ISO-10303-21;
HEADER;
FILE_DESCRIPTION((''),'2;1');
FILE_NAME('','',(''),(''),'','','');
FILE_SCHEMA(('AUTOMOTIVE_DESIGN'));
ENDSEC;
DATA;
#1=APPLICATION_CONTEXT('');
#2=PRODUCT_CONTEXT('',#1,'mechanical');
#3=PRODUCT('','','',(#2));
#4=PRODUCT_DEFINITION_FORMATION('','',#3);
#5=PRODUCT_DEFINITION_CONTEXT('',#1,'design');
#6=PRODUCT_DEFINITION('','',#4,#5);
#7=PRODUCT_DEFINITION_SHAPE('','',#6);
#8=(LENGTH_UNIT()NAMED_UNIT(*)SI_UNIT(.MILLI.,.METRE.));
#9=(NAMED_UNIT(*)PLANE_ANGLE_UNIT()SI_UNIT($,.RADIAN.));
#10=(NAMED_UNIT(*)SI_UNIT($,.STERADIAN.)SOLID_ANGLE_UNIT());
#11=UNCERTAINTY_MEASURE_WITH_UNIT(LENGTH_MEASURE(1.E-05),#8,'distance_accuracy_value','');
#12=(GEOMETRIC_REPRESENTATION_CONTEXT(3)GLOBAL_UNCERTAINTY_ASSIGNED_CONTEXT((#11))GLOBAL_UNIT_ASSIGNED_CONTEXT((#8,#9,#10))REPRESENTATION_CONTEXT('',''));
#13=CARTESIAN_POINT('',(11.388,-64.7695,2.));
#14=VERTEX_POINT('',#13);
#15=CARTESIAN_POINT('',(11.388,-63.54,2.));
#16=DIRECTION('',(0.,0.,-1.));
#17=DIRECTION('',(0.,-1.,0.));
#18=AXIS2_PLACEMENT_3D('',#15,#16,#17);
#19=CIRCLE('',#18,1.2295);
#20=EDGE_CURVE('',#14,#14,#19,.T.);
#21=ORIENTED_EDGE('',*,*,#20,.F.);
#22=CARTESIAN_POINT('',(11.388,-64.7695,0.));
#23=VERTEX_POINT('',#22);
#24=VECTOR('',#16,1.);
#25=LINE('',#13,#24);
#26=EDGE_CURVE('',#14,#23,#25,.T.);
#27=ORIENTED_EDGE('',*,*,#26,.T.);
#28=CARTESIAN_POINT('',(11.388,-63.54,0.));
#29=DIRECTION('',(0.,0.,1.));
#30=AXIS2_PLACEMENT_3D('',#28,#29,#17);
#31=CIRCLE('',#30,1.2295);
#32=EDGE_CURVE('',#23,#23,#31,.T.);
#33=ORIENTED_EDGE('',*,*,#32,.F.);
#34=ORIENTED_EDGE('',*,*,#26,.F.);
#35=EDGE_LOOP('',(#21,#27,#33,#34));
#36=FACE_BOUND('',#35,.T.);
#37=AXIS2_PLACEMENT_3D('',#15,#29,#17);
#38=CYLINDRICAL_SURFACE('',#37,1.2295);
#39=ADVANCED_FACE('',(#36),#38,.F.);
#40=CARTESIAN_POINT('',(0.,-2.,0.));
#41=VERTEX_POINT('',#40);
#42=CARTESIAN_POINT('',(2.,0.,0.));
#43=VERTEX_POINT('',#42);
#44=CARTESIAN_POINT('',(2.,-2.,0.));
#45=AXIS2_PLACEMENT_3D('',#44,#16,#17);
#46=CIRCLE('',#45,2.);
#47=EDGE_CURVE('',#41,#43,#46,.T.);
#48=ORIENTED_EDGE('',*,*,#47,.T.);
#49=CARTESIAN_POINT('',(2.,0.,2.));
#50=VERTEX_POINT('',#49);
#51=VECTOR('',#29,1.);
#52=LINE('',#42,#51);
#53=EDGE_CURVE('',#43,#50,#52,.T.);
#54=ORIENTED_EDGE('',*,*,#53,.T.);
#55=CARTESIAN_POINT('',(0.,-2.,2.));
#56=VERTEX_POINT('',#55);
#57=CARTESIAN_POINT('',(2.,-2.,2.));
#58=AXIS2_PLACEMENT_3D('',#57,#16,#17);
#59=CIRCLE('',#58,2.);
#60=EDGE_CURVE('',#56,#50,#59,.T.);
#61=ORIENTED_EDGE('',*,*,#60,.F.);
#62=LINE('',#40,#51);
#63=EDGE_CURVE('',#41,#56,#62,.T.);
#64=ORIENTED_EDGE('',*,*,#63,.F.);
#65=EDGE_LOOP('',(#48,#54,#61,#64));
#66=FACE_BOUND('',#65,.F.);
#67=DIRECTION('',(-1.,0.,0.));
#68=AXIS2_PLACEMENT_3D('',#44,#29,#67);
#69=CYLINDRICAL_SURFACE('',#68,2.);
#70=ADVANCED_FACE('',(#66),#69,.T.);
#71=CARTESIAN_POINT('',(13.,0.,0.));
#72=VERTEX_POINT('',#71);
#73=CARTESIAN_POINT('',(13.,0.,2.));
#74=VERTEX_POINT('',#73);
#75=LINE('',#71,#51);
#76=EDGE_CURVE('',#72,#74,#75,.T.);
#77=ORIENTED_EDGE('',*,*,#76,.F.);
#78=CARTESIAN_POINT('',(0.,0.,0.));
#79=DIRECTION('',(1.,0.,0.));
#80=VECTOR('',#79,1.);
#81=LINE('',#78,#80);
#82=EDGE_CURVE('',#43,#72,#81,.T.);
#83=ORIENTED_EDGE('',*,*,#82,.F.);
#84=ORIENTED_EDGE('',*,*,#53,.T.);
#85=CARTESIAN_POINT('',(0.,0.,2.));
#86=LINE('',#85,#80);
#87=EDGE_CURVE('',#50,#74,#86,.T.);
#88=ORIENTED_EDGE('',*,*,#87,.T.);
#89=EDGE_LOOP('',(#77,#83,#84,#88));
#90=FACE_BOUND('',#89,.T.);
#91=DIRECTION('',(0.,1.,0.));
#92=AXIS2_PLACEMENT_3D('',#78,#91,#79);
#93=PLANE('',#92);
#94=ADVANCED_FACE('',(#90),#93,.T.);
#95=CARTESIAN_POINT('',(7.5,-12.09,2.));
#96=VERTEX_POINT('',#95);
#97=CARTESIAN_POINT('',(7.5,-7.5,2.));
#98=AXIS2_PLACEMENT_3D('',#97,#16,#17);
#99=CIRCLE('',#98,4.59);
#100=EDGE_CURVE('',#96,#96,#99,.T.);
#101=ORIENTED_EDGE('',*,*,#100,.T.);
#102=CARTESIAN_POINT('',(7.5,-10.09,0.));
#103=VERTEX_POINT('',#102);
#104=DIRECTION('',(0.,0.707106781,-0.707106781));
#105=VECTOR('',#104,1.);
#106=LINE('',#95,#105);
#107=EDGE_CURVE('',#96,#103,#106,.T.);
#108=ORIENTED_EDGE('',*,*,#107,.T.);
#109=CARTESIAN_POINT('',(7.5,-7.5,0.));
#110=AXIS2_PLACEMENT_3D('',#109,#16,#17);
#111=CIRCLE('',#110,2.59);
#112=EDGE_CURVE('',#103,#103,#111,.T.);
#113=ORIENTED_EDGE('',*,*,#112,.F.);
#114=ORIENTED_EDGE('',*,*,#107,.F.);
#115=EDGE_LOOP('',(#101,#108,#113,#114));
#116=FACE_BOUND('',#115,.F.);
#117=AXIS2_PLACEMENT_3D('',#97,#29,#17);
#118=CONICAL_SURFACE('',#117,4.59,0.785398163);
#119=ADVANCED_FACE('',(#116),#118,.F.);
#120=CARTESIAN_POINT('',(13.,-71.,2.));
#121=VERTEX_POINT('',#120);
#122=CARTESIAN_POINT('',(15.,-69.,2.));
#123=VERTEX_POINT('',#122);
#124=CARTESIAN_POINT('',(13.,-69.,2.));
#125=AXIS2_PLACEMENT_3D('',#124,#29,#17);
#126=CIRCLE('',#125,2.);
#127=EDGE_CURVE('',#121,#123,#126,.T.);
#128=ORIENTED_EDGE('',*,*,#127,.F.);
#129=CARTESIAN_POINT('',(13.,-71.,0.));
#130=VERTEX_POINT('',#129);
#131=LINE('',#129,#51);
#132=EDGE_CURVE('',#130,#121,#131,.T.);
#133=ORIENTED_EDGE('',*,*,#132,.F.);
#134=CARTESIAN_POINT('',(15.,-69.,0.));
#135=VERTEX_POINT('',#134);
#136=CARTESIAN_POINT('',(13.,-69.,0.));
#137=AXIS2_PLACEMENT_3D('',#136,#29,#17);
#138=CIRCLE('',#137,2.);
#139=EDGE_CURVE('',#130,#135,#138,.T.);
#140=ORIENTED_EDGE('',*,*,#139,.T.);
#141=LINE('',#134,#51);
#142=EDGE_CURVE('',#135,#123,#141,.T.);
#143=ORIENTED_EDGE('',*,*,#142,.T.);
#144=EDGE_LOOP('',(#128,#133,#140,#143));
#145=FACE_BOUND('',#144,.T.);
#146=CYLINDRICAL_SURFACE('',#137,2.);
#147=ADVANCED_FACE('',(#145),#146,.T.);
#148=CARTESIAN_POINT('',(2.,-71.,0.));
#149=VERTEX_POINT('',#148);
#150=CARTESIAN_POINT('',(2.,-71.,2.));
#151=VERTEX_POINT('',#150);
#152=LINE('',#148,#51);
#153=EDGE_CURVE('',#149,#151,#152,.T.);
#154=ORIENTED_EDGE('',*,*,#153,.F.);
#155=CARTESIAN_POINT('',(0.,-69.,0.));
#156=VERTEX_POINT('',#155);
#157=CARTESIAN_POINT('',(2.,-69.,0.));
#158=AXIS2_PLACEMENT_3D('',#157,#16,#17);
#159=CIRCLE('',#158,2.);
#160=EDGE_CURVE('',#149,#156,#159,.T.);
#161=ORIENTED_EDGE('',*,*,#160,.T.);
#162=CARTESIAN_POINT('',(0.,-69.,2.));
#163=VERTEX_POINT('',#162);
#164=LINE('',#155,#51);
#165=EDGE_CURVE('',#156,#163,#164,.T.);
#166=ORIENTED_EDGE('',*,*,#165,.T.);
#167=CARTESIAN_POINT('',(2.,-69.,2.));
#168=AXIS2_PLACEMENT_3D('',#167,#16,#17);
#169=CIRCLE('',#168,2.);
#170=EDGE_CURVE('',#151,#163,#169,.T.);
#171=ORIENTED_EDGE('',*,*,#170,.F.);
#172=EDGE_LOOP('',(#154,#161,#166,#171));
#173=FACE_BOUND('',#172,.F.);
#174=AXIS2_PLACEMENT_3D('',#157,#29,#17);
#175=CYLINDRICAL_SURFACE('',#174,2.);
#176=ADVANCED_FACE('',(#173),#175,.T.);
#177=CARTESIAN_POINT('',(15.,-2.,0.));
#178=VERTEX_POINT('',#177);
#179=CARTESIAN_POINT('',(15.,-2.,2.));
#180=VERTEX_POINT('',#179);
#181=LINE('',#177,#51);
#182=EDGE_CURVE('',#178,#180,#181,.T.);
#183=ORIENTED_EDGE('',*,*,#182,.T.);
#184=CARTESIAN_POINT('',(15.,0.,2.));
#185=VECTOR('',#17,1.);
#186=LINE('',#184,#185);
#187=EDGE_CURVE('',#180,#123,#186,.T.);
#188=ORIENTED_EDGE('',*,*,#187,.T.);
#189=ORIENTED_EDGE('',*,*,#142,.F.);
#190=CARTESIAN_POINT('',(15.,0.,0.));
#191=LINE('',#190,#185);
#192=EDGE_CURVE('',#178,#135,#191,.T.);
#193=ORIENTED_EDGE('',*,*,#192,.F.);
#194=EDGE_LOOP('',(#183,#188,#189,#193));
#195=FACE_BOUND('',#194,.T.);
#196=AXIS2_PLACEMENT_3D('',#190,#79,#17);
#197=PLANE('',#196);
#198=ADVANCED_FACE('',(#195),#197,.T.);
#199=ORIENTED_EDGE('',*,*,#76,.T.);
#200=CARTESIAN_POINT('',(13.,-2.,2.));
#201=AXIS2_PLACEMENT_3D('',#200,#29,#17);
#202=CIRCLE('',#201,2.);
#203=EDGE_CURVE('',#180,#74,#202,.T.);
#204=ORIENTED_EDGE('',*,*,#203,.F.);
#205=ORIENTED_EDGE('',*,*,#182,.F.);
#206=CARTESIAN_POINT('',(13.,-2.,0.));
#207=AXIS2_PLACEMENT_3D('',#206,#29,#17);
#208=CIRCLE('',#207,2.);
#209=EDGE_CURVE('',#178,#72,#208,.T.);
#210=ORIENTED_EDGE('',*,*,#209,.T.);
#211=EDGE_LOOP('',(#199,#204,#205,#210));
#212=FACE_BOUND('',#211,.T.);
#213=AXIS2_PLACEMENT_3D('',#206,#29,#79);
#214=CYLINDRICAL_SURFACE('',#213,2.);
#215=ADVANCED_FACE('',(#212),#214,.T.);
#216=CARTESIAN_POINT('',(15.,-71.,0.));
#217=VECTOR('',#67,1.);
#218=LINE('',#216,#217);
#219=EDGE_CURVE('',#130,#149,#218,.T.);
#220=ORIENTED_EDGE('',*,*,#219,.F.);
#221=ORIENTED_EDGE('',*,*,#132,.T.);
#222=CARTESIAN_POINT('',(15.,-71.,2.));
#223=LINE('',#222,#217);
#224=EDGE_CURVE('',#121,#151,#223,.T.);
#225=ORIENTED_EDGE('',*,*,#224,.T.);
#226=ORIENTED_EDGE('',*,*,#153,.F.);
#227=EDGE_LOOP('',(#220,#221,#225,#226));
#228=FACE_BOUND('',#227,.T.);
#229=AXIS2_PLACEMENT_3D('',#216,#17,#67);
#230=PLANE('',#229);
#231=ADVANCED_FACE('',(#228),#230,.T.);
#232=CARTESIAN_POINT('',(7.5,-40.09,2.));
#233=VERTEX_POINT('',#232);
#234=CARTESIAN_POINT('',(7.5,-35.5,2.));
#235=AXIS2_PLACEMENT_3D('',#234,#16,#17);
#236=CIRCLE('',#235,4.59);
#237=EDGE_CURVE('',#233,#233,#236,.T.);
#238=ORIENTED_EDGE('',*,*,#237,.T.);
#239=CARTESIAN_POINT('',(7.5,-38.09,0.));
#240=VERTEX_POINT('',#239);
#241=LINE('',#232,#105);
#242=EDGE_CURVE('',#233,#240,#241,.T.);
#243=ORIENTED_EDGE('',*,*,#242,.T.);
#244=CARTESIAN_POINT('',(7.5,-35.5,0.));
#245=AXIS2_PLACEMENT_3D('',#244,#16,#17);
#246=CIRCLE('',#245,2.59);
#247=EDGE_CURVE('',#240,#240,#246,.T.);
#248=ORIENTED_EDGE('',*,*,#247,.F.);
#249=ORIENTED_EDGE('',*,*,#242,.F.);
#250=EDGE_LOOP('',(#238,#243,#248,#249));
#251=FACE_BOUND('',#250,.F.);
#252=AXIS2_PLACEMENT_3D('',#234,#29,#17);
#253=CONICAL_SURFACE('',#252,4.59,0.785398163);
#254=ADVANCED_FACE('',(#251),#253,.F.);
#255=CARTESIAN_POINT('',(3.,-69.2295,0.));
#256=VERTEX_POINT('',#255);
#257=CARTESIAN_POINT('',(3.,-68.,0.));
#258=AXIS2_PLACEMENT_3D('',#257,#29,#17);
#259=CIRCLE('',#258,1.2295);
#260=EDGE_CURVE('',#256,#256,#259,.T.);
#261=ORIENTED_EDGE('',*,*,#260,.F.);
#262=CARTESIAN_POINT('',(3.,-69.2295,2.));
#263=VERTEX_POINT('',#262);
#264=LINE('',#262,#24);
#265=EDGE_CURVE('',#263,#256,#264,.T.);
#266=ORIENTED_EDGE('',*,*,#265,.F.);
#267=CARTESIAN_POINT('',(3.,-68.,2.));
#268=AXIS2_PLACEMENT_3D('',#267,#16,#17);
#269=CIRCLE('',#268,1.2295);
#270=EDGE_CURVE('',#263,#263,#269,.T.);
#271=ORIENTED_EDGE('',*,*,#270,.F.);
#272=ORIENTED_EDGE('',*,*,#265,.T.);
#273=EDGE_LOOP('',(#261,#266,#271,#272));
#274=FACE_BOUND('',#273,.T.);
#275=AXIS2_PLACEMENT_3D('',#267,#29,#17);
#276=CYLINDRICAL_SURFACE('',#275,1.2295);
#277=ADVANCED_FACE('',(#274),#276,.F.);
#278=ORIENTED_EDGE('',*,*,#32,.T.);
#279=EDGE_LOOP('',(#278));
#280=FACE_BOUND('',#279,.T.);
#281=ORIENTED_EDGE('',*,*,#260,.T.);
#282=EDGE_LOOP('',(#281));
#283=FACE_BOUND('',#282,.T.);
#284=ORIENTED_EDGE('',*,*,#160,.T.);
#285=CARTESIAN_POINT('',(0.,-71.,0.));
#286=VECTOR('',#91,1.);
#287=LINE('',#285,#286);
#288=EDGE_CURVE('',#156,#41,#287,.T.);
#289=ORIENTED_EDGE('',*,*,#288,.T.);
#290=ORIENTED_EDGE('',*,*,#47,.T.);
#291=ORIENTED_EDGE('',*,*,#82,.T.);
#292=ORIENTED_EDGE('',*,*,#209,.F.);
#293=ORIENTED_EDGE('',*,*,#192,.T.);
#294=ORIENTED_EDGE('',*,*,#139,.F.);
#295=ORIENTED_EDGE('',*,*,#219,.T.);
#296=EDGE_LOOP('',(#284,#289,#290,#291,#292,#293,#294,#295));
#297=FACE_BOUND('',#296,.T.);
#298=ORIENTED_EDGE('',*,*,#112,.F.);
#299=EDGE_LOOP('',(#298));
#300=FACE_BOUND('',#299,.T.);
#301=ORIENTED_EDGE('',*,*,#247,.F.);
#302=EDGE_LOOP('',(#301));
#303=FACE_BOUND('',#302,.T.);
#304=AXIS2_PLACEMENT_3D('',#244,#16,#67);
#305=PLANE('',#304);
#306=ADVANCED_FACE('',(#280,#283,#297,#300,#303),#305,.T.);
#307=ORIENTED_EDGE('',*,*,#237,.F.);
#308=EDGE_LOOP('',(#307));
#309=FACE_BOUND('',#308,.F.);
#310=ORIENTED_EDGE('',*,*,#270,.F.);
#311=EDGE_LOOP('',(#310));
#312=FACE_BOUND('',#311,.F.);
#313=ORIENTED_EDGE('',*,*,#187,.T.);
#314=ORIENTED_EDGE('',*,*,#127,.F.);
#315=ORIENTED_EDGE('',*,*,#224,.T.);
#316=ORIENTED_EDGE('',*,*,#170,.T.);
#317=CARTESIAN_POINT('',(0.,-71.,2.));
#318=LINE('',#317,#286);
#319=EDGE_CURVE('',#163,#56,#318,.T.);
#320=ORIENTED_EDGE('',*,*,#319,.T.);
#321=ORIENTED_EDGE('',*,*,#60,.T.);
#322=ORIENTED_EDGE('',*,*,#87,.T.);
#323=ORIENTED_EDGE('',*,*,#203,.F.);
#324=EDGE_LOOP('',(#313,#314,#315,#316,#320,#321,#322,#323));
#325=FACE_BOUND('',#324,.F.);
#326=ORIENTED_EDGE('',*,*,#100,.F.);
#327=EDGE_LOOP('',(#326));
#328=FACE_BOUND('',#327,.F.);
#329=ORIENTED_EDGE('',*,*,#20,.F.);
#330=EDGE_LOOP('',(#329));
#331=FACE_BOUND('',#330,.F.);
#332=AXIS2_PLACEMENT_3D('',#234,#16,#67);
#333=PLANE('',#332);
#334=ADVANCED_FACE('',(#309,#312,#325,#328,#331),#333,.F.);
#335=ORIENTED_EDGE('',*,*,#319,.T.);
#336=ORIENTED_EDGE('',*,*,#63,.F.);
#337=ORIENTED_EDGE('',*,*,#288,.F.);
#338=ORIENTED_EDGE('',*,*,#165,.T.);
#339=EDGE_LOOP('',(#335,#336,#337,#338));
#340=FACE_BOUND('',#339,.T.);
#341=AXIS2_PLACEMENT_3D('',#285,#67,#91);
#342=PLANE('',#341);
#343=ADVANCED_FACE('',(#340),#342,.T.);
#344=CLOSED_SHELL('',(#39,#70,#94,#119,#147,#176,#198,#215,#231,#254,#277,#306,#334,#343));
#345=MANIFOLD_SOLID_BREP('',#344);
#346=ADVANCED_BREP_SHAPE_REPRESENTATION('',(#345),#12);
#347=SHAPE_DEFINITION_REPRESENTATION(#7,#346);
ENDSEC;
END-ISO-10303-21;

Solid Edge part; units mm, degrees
sketch "Sketch1" plane through (0, 0, 0) normal (0, 0, 1) x (1, 0, 0)
  line L0 (15, -71) -> (0, -71)
  line L1 (0, -71) -> (0, 0)
  line L2 (0, 0) -> (15, 0)
  line L3 (15, 0) -> (15, -71)
extrude "Protrusion1" add sketch "Sketch1" along normal blind 2
hole "Bohrung_1" at (3, -68, 2) direction (0, 0, -1) diameter 2.459 end through all
hole "Hole1" at (11.388, -63.54, 2) direction (0, 0, -1) diameter 2.459 end through all
hole "Bohrung_3" at (7.5, -7.5, 2) direction (0, 0, -1) diameter 4.3 end through all countersink diameter 9.18 countersink angle 90
hole "Hole2" at (7.5, -35.5, 2) direction (0, 0, -1) diameter 4.3 end through all countersink diameter 9.18 countersink angle 90
fillet "Verrundung_1" radius 2 4 edges at (15, 0, 1) (0, 0, 1) (15, -71, 1) (0, -71, 1)
